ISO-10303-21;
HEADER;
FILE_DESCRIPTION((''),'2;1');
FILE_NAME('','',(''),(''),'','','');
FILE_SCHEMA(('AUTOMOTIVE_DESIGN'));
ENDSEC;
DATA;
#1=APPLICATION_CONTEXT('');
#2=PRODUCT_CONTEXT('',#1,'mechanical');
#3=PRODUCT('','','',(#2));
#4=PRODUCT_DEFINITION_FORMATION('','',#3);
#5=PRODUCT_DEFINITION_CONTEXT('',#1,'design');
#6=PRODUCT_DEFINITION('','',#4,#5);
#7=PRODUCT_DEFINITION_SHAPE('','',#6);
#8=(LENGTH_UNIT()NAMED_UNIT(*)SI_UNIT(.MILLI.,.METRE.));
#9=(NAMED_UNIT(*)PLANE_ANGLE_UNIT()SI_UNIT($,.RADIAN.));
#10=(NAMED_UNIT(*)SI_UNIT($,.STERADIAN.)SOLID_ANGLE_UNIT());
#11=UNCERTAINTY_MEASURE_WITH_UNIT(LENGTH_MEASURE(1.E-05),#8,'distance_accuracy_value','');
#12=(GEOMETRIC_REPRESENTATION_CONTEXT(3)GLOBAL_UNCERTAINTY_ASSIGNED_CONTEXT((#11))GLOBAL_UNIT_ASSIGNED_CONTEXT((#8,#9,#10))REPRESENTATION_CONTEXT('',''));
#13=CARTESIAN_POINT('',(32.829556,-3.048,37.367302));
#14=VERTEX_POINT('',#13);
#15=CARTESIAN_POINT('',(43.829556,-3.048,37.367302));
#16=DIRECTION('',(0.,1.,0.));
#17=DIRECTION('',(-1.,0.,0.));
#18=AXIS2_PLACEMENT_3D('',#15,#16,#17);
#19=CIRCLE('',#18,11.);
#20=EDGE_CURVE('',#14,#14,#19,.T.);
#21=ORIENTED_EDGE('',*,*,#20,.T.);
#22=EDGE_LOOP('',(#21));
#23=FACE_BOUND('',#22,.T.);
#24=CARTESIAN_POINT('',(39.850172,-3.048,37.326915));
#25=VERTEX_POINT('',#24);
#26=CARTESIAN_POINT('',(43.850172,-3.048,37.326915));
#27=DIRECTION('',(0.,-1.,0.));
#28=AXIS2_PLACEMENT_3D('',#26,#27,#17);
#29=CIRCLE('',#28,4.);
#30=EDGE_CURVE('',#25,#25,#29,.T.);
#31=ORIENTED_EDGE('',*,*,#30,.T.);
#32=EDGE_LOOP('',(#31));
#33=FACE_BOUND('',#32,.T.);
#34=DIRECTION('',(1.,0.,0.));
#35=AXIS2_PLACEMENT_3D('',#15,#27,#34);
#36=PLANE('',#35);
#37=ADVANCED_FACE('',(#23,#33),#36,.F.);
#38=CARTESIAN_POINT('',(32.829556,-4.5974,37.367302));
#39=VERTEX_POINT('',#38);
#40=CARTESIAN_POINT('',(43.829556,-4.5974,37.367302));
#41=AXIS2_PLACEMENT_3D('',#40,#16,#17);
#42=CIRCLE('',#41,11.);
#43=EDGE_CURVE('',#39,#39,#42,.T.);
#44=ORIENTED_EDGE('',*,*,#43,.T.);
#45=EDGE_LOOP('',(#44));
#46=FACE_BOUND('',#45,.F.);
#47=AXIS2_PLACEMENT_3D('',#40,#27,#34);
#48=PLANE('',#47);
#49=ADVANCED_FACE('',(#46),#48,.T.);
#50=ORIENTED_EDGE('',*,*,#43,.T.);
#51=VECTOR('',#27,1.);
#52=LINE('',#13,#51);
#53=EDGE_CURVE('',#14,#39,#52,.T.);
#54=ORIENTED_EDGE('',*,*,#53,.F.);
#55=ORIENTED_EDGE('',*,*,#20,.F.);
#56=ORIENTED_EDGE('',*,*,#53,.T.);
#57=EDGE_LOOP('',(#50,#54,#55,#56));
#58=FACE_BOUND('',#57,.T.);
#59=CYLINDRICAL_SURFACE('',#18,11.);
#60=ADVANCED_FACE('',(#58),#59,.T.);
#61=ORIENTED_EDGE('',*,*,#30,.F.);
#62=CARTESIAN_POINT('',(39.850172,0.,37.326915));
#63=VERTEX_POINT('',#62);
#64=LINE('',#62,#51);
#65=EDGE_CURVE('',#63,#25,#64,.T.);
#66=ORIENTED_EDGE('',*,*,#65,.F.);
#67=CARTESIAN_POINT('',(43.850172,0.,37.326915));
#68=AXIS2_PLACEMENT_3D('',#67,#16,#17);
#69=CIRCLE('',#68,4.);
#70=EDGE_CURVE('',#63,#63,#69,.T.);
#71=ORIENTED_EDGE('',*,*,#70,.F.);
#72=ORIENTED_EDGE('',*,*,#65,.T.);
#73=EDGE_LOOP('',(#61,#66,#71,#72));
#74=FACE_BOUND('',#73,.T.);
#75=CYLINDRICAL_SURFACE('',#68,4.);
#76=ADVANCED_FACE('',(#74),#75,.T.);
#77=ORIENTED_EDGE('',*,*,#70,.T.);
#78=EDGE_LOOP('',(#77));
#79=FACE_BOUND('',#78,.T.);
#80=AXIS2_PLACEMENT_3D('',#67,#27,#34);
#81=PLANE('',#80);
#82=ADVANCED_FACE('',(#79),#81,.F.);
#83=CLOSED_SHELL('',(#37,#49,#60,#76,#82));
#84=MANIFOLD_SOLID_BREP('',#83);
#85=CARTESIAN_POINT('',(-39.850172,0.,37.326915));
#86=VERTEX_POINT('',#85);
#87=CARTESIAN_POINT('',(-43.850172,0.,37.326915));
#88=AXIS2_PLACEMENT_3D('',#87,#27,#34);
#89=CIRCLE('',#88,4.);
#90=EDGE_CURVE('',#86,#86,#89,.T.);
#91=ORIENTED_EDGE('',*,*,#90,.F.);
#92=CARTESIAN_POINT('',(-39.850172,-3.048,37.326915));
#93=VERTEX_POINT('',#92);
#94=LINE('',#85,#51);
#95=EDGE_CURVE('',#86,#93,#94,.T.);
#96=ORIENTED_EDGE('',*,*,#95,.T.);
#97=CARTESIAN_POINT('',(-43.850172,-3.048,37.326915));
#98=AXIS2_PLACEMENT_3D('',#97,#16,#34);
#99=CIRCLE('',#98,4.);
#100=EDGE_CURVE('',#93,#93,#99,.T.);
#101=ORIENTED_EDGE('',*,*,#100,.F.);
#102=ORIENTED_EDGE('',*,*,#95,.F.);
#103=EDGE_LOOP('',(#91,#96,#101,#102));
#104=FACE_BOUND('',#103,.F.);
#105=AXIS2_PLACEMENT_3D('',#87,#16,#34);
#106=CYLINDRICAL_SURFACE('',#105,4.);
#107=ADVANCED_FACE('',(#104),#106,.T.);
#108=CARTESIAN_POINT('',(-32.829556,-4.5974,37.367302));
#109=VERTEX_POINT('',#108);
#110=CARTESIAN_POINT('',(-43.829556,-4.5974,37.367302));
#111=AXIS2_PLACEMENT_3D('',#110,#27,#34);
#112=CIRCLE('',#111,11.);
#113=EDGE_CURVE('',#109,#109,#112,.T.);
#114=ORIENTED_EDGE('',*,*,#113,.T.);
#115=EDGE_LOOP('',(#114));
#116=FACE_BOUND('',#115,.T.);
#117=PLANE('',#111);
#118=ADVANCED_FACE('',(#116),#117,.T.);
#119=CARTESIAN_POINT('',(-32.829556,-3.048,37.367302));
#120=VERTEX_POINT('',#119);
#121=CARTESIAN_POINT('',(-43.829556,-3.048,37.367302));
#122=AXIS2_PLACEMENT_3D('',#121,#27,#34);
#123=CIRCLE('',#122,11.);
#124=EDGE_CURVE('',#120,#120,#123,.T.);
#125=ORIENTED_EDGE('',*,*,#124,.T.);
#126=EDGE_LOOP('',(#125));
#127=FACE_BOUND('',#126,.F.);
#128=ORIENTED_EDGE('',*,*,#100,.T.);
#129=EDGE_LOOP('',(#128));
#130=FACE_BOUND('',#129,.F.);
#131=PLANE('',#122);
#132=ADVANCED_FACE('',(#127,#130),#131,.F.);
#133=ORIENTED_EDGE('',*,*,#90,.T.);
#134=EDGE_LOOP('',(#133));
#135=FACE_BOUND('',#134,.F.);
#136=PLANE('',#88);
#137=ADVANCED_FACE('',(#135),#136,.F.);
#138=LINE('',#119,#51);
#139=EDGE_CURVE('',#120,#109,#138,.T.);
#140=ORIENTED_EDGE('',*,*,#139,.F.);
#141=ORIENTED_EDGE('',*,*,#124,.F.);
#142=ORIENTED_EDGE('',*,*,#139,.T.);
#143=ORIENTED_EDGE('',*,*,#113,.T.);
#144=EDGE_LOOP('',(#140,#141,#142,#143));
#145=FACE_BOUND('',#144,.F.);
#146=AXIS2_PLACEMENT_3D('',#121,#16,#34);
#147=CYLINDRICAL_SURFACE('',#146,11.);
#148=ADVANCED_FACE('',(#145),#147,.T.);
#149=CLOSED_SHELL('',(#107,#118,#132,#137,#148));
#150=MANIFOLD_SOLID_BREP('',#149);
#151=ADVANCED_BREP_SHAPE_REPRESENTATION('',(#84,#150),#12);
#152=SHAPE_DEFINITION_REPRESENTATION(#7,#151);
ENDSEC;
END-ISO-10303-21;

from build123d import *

# Parameters (mm, degrees)
F0_R     = 4
F1_DEPTH = 4.064
F4_R     = 11
F5_DEPTH = 1.5494


with BuildPart() as f1:
    # F0 (on Front) → F1 (new body)
    with BuildSketch(Plane.XZ):
        with Locations((-43.850172, 37.326915)):
            Circle(F0_R)
    extrude(amount=F1_DEPTH)

    # F4 (on offset) → F5 (join)
    with BuildSketch(Plane.XZ.offset(3.048)):
        with Locations((-43.829556, 37.367302)):
            Circle(F4_R)
    extrude(amount=F5_DEPTH)


with BuildPart() as f2_1:
    # F2: instance of F1
    add(f1.part.mirror(Plane.YZ))

    # F6: F1 across plane
    add(f1.part.mirror(Plane.YZ))


solid = Compound([f1.part, f2_1.part])
